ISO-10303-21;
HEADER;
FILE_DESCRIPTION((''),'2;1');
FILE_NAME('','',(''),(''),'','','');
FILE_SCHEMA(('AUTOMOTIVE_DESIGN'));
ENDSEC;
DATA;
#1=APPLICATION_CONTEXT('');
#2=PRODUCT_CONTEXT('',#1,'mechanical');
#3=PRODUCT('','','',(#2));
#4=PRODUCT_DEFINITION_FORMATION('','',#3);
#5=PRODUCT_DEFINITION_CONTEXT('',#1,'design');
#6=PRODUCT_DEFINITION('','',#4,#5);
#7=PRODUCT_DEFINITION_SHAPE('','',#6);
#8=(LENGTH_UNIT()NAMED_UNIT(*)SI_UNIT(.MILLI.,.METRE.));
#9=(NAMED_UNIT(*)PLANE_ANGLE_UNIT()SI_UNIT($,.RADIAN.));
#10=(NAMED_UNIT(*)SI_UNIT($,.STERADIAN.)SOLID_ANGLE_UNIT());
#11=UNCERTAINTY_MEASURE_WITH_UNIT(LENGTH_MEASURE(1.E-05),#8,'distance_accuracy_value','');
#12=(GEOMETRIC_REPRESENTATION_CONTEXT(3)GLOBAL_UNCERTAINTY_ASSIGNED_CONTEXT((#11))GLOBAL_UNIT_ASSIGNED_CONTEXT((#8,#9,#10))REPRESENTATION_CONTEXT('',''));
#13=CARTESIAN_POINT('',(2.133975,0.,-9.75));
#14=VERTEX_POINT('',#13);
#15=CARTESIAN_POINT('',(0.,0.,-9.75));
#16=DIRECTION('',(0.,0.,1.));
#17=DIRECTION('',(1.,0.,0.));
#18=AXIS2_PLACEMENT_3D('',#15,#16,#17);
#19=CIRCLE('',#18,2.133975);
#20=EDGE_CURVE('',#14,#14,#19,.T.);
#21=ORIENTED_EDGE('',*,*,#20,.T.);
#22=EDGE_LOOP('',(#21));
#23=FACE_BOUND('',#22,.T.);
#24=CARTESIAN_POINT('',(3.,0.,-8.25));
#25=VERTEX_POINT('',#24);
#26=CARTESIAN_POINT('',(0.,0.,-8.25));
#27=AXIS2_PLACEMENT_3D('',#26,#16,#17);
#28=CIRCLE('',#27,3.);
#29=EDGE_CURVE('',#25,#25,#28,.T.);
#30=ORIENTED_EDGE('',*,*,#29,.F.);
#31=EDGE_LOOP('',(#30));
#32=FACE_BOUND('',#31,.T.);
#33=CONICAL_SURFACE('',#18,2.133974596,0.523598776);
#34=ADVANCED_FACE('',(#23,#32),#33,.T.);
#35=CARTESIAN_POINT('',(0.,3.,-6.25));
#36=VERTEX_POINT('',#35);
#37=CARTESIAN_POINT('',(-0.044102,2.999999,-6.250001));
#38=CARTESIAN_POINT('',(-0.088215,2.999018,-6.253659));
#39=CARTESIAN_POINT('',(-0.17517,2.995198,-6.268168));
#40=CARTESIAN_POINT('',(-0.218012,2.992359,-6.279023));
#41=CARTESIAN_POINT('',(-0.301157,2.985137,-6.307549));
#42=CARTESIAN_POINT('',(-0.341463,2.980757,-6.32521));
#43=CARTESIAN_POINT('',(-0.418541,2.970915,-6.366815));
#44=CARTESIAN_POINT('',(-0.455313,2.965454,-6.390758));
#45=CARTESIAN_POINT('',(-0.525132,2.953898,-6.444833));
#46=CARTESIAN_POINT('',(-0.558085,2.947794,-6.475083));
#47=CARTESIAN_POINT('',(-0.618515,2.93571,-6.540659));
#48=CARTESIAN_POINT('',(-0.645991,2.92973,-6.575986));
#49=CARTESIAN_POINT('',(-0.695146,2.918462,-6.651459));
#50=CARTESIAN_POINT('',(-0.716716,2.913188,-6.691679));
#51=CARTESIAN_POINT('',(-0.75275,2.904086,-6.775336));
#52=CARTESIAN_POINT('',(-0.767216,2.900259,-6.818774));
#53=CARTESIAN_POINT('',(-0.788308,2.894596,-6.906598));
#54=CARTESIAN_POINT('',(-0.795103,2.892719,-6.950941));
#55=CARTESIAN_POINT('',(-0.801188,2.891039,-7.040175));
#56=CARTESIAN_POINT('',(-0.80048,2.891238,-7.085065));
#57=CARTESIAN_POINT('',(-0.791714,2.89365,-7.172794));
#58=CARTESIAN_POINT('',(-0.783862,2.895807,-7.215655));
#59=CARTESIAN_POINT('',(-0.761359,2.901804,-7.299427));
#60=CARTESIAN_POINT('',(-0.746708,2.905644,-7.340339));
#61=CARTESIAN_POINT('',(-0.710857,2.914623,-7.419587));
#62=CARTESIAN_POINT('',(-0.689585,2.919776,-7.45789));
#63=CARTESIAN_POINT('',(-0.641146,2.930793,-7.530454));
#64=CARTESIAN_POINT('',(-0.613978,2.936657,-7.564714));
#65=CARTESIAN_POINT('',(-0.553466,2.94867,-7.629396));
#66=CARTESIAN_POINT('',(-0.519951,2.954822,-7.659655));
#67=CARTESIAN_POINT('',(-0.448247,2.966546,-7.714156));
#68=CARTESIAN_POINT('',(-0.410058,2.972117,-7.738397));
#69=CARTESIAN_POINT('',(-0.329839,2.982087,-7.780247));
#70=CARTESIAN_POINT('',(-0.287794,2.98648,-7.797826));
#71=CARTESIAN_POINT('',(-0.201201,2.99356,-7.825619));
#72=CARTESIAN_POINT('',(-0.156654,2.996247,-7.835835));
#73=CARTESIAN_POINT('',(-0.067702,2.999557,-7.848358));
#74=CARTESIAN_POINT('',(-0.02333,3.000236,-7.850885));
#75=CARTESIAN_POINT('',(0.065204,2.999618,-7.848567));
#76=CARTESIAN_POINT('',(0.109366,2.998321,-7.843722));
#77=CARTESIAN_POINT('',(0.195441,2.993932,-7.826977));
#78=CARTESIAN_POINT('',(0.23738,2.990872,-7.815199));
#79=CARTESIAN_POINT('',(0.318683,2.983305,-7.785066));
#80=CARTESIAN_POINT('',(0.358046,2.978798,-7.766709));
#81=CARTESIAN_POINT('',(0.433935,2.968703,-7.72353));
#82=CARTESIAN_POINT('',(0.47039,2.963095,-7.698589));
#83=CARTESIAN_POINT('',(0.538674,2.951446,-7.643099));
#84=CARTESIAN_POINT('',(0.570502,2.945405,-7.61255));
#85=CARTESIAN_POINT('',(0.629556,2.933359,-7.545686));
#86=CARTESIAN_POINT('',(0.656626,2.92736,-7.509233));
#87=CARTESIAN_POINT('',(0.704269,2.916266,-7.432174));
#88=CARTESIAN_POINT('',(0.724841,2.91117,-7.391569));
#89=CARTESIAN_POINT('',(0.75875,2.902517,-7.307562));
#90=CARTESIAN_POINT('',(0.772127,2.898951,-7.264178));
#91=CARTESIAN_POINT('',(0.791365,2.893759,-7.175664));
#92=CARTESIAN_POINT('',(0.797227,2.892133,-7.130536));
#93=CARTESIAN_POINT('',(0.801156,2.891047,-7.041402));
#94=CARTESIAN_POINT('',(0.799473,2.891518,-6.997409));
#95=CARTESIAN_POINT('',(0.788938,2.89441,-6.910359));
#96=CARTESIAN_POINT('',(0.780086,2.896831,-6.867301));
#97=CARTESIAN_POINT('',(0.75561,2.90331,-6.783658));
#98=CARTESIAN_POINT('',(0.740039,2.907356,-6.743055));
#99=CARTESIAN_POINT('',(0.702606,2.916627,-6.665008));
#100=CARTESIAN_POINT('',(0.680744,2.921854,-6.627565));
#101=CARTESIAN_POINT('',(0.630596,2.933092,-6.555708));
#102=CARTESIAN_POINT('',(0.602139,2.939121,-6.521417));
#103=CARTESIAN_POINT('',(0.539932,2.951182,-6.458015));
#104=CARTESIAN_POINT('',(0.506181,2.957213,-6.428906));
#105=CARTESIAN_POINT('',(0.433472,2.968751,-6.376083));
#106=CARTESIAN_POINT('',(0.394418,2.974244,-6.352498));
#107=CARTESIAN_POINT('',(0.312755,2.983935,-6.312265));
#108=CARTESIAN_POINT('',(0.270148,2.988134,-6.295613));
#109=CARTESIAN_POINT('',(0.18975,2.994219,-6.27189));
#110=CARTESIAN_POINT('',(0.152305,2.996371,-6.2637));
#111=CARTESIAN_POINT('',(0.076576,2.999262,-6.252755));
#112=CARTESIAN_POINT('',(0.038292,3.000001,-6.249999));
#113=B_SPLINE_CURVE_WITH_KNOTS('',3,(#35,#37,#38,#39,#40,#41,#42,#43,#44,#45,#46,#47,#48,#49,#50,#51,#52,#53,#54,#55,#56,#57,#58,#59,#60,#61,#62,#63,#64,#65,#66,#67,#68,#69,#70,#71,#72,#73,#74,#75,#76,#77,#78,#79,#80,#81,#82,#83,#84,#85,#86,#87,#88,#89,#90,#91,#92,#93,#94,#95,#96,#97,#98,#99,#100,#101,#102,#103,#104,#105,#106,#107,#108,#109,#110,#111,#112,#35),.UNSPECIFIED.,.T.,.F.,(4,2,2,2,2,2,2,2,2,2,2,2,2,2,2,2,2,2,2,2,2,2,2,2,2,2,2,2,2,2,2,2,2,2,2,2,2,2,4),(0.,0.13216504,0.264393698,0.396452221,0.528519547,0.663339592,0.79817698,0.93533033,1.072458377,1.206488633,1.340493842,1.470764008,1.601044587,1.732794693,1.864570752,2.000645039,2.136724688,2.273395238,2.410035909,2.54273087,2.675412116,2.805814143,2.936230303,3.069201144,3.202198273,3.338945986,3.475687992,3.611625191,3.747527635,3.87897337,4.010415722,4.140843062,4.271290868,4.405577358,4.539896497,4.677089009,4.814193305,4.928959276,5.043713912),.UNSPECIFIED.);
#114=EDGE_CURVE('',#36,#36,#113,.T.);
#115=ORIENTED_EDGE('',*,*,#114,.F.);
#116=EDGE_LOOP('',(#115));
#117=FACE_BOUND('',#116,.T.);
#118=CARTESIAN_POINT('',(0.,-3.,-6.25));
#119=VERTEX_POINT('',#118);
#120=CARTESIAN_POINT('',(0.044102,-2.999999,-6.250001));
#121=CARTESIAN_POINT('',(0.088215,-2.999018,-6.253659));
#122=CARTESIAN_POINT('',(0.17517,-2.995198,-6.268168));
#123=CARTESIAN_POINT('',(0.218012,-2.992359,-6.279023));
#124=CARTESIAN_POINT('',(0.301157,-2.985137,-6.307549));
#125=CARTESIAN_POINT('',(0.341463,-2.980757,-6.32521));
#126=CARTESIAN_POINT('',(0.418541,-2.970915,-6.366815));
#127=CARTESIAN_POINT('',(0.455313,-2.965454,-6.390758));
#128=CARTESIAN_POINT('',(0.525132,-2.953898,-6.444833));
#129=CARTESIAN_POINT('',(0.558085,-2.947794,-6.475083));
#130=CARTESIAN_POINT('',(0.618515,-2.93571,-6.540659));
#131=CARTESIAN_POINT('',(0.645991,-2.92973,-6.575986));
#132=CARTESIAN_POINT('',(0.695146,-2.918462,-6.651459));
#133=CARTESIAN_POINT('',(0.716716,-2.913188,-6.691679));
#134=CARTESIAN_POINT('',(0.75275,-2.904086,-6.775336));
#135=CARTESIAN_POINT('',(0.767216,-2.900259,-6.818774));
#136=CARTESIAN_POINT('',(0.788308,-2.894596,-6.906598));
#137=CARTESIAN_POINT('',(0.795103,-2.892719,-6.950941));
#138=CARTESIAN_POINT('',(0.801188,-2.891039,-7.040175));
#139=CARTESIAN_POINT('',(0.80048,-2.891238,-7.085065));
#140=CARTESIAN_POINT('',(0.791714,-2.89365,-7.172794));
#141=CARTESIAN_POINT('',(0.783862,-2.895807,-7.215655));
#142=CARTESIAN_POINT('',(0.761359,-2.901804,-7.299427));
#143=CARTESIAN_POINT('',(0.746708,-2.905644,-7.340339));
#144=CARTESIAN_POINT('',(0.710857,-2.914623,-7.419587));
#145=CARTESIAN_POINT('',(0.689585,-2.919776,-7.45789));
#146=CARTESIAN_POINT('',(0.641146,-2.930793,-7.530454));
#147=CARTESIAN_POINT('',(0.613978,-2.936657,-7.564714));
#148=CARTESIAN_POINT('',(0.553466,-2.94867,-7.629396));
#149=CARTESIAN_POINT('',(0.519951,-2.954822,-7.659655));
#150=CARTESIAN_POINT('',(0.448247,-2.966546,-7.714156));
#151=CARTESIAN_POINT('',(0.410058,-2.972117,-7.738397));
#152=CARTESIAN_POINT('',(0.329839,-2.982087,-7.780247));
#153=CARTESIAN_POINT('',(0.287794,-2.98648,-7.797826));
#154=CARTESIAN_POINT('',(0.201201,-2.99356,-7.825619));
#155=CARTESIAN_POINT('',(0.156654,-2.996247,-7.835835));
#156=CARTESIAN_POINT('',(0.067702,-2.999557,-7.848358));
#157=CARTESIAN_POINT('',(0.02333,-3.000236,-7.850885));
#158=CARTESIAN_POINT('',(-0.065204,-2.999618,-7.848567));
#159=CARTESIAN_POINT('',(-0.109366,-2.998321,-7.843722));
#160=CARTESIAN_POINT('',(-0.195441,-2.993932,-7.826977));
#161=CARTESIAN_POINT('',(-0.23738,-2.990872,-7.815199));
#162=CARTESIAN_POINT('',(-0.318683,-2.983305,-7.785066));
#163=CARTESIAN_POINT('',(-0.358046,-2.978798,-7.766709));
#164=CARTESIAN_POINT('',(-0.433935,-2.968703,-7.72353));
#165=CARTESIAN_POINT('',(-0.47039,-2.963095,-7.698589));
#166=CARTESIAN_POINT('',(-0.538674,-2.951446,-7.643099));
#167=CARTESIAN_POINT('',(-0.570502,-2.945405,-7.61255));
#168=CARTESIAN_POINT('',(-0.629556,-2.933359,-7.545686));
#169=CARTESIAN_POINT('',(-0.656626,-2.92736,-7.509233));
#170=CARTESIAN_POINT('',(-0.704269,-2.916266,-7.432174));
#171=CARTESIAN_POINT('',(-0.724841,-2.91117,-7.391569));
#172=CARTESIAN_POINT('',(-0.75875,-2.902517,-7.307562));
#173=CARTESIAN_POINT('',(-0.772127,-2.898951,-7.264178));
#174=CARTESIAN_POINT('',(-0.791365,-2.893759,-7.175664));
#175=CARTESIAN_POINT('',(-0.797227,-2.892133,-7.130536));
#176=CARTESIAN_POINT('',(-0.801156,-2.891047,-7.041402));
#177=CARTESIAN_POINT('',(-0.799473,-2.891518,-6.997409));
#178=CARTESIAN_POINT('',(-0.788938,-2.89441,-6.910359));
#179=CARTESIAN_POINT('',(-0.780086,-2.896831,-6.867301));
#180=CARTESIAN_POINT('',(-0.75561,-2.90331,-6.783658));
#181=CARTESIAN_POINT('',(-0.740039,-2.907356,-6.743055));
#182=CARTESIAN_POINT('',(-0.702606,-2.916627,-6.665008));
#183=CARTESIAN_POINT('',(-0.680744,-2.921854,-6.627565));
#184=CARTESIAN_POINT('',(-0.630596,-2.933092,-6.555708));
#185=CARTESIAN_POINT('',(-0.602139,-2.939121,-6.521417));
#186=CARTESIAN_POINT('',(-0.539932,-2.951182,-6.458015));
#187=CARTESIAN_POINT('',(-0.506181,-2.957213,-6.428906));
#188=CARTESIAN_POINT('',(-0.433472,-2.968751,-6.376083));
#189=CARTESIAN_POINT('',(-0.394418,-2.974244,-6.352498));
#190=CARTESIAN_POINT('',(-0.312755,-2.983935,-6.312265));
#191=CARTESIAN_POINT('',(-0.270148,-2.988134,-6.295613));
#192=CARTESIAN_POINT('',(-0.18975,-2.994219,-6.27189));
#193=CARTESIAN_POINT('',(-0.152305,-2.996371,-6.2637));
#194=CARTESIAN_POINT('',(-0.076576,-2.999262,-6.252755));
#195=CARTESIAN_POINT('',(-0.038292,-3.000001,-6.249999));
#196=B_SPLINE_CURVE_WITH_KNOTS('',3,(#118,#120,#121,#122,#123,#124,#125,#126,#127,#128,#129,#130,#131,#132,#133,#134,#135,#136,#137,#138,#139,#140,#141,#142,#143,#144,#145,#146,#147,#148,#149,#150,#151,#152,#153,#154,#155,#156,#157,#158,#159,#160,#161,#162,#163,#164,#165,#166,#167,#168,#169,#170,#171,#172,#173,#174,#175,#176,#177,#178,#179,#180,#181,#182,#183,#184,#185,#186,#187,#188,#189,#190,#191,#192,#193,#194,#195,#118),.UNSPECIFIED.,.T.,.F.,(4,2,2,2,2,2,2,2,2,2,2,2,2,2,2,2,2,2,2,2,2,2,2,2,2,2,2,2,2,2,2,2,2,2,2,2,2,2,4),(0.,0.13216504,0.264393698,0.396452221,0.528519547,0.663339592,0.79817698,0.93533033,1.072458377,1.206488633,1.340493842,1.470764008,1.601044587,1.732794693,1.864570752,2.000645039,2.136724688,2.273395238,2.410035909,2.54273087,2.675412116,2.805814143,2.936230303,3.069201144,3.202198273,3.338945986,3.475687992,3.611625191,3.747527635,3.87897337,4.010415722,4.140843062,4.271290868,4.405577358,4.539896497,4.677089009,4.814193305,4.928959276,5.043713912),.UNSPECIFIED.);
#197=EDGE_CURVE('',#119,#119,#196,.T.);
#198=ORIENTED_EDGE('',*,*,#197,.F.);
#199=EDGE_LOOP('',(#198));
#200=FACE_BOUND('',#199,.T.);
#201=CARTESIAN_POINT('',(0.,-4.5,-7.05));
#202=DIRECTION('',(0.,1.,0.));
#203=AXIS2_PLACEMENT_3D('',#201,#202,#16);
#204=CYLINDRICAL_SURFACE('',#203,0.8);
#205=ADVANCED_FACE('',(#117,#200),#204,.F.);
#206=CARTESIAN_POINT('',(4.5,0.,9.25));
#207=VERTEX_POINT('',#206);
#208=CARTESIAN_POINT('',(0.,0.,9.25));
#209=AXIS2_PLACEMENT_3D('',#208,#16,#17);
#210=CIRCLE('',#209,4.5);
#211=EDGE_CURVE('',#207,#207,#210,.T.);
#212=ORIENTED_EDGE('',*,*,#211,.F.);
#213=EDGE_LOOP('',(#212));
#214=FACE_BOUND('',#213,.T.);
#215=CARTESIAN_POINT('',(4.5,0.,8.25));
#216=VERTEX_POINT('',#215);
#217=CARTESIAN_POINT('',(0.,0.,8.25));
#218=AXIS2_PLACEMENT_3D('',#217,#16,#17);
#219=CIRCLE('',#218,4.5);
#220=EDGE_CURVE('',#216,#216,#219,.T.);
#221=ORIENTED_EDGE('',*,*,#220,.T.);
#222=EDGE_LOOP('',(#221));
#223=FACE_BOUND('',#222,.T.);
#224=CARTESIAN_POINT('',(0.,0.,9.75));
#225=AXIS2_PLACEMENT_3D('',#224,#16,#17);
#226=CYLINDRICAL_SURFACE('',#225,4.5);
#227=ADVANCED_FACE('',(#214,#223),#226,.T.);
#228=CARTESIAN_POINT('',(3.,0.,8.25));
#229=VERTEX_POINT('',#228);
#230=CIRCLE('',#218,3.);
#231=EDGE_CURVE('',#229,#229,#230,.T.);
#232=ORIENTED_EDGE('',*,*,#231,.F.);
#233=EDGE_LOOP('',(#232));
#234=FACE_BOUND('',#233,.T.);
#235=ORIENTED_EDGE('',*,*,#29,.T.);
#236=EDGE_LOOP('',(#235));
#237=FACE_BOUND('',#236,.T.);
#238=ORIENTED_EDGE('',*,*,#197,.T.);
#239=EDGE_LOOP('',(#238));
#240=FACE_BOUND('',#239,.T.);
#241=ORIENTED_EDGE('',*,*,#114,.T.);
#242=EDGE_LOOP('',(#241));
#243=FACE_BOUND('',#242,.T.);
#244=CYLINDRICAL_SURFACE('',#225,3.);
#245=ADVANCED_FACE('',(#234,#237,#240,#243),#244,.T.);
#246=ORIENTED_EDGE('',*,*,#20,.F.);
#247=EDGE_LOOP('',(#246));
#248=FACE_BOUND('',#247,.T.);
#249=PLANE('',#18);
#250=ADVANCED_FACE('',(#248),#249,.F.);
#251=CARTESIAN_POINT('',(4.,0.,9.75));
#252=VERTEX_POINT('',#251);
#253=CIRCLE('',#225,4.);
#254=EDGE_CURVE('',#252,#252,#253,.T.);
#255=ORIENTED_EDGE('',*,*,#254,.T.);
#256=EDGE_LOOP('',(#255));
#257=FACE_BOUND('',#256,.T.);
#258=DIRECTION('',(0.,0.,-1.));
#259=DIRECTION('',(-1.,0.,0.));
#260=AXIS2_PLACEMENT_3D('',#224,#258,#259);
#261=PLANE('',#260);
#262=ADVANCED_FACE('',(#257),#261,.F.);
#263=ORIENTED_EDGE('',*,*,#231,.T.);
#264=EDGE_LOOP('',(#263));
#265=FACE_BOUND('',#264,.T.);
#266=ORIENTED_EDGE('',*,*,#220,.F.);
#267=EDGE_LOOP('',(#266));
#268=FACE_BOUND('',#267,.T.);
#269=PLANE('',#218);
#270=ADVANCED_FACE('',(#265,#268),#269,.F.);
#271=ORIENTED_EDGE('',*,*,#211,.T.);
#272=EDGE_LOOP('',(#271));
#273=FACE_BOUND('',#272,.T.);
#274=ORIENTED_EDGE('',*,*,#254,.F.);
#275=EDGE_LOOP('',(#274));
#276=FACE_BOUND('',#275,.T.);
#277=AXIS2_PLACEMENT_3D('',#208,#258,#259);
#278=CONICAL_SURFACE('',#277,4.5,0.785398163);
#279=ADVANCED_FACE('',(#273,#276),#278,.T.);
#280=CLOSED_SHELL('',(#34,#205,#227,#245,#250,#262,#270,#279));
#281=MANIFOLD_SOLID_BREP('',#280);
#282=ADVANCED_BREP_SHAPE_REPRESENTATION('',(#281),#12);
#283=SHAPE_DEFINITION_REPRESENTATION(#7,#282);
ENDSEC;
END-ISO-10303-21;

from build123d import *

# Parameters (mm, degrees)
WYTNIJ_WYCI_GNI_CIE1_DEPTH      = 12.643131022
WYTNIJ_WYCI_GNI_CIE1_DEPTH_BACK = 12.643131022
SZKIC2_R                        = 0.8


with BuildPart() as part:
    # Szkic1 → Obrót1 (revolve)
    with BuildSketch(Plane(origin=(0, 0, 0), x_dir=(1, 0, 0), z_dir=(0, 1, 0))):
        Polygon((0, -9.75), (4, -9.75), (4.5, -9.25), (4.5, -8.25), (3, -8.25), (3, 8.25), (2.133974596, 9.75), (0, 9.75), align=None)
    revolve(axis=Axis((0, 0, 9.75), (0, 0, -1)))

    # Szkic2 → Wytnij-wyciągnięcie1 (cut, two sides: drawn at the far end of the back side and taken through both)
    with BuildSketch(Plane(origin=(0, 0, 0), x_dir=(1, 0, 0), z_dir=(0, 1, 0)).offset(-WYTNIJ_WYCI_GNI_CIE1_DEPTH_BACK)):
        with Locations(Location((0, 7.05, 0), (0, 0, 270))):
            Circle(SZKIC2_R)
    extrude(amount=WYTNIJ_WYCI_GNI_CIE1_DEPTH + WYTNIJ_WYCI_GNI_CIE1_DEPTH_BACK, mode=Mode.SUBTRACT)


solid = part.part
